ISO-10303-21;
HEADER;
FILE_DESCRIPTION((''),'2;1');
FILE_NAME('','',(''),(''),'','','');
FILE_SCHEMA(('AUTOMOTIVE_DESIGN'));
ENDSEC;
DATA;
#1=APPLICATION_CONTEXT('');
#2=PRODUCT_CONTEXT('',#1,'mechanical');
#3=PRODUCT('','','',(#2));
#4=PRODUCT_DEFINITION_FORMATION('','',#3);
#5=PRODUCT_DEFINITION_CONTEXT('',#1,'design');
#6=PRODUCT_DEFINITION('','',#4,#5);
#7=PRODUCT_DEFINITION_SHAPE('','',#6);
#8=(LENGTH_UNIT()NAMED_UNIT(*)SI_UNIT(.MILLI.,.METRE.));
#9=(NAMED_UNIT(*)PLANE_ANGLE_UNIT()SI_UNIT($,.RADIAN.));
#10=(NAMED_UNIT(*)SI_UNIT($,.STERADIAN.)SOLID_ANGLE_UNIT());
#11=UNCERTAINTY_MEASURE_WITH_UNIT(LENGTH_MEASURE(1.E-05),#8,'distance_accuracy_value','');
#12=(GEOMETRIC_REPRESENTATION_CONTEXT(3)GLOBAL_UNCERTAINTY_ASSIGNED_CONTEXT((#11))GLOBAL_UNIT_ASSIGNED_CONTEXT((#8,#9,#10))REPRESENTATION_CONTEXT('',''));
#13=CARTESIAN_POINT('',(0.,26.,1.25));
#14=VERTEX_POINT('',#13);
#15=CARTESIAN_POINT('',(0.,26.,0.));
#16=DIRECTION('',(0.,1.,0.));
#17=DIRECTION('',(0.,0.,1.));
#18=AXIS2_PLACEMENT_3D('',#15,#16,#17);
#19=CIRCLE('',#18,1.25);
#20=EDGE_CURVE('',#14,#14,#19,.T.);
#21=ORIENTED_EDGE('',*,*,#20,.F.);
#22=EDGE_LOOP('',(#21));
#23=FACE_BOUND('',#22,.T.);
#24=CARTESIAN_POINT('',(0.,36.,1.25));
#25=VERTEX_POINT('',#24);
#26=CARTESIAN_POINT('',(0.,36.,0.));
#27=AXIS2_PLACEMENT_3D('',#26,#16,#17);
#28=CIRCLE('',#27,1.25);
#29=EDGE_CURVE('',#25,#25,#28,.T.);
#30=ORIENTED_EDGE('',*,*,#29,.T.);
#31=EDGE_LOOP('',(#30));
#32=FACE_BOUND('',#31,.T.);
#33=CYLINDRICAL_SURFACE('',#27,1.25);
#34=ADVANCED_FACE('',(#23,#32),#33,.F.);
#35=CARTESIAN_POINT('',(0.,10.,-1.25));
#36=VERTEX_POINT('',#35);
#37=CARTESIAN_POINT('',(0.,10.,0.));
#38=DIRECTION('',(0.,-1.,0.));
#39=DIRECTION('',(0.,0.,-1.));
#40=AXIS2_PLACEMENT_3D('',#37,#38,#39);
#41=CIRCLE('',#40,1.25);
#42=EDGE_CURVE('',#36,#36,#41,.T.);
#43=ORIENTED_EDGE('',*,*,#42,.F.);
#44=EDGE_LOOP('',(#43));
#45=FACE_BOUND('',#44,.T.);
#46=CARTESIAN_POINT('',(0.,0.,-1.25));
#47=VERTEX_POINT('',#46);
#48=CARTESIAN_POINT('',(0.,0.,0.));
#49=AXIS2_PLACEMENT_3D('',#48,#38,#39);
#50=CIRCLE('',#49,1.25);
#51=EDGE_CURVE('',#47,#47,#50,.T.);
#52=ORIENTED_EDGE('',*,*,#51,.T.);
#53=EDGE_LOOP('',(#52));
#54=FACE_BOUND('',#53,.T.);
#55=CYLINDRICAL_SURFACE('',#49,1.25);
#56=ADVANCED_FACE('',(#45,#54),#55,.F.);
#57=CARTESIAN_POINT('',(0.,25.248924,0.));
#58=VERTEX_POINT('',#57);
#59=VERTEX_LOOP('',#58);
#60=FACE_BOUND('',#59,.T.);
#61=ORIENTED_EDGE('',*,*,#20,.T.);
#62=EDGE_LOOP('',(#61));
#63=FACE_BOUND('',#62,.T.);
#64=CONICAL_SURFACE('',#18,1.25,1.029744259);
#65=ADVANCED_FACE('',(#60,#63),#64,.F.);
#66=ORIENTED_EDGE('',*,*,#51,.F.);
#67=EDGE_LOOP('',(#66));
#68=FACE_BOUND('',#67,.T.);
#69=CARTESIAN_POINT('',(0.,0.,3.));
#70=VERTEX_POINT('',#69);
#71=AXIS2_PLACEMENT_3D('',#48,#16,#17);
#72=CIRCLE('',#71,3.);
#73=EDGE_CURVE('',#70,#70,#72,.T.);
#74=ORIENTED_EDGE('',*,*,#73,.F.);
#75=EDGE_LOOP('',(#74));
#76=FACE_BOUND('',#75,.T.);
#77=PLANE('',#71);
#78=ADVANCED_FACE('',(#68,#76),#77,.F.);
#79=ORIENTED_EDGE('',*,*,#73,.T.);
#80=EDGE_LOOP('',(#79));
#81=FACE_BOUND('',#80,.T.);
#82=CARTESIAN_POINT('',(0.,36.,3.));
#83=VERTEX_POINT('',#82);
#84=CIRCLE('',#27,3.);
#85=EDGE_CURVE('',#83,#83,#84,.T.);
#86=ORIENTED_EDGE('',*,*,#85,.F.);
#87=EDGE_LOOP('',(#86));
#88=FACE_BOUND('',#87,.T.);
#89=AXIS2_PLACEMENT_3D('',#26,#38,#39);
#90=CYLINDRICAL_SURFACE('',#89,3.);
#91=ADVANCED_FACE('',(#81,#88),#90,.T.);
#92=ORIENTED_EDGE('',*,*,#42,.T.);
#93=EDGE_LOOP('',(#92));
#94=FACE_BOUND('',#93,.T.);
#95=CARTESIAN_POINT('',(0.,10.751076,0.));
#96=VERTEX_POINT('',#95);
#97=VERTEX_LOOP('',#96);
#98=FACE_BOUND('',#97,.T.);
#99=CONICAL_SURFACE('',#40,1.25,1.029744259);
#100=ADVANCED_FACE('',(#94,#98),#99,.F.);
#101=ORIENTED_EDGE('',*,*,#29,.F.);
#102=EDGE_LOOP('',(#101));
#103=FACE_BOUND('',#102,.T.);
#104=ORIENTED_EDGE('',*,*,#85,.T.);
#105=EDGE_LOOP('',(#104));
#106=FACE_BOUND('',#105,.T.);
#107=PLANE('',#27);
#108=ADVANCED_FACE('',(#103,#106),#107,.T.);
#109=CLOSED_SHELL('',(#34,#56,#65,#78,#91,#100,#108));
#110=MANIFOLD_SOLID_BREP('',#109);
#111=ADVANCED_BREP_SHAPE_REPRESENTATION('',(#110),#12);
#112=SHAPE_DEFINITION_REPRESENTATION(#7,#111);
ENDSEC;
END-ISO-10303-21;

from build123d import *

# Parameters (mm, degrees)
SKETCH1_R                   = 3
BOSS_EXTRUDE1_DEPTH         = 36
TAP_DRILL_FOR_M3_TAP1_D     = 2.5
TAP_DRILL_FOR_M3_TAP1_DEPTH = 10
TAP_DRILL_FOR_M3_TAP1_TIP   = 0.751075774
TAP_DRILL_FOR_M3_TAP2_D     = 2.5
TAP_DRILL_FOR_M3_TAP2_DEPTH = 10
TAP_DRILL_FOR_M3_TAP2_TIP   = 0.751075774


with BuildPart() as part:
    # Sketch1 → Boss-Extrude1 (new body)
    with BuildSketch(Plane(origin=(0, 0, 0), x_dir=(1, 0, 0), z_dir=(0, 1, 0))):
        Circle(SKETCH1_R)
    extrude(amount=BOSS_EXTRUDE1_DEPTH)

    # Tap Drill for M3 Tap1
    with Locations(Plane(origin=(0, 36, 0), x_dir=(1, 0, 0), z_dir=(0, 1, 0))):
        with Locations((0, 0)):
            Hole(TAP_DRILL_FOR_M3_TAP1_D / 2, depth=TAP_DRILL_FOR_M3_TAP1_DEPTH)
            with Locations((0, 0, -(TAP_DRILL_FOR_M3_TAP1_DEPTH + TAP_DRILL_FOR_M3_TAP1_TIP / 2))):  # 118° drill point
                Cone(0, TAP_DRILL_FOR_M3_TAP1_D / 2, TAP_DRILL_FOR_M3_TAP1_TIP, mode=Mode.SUBTRACT)

    # Tap Drill for M3 Tap2
    with Locations(Plane(origin=(0, 0, 0), x_dir=(-1, 0, 0), z_dir=(0, -1, 0))):
        with Locations((0, 0)):
            Hole(TAP_DRILL_FOR_M3_TAP2_D / 2, depth=TAP_DRILL_FOR_M3_TAP2_DEPTH)
            with Locations((0, 0, -(TAP_DRILL_FOR_M3_TAP2_DEPTH + TAP_DRILL_FOR_M3_TAP2_TIP / 2))):  # 118° drill point
                Cone(0, TAP_DRILL_FOR_M3_TAP2_D / 2, TAP_DRILL_FOR_M3_TAP2_TIP, mode=Mode.SUBTRACT)


solid = part.part
